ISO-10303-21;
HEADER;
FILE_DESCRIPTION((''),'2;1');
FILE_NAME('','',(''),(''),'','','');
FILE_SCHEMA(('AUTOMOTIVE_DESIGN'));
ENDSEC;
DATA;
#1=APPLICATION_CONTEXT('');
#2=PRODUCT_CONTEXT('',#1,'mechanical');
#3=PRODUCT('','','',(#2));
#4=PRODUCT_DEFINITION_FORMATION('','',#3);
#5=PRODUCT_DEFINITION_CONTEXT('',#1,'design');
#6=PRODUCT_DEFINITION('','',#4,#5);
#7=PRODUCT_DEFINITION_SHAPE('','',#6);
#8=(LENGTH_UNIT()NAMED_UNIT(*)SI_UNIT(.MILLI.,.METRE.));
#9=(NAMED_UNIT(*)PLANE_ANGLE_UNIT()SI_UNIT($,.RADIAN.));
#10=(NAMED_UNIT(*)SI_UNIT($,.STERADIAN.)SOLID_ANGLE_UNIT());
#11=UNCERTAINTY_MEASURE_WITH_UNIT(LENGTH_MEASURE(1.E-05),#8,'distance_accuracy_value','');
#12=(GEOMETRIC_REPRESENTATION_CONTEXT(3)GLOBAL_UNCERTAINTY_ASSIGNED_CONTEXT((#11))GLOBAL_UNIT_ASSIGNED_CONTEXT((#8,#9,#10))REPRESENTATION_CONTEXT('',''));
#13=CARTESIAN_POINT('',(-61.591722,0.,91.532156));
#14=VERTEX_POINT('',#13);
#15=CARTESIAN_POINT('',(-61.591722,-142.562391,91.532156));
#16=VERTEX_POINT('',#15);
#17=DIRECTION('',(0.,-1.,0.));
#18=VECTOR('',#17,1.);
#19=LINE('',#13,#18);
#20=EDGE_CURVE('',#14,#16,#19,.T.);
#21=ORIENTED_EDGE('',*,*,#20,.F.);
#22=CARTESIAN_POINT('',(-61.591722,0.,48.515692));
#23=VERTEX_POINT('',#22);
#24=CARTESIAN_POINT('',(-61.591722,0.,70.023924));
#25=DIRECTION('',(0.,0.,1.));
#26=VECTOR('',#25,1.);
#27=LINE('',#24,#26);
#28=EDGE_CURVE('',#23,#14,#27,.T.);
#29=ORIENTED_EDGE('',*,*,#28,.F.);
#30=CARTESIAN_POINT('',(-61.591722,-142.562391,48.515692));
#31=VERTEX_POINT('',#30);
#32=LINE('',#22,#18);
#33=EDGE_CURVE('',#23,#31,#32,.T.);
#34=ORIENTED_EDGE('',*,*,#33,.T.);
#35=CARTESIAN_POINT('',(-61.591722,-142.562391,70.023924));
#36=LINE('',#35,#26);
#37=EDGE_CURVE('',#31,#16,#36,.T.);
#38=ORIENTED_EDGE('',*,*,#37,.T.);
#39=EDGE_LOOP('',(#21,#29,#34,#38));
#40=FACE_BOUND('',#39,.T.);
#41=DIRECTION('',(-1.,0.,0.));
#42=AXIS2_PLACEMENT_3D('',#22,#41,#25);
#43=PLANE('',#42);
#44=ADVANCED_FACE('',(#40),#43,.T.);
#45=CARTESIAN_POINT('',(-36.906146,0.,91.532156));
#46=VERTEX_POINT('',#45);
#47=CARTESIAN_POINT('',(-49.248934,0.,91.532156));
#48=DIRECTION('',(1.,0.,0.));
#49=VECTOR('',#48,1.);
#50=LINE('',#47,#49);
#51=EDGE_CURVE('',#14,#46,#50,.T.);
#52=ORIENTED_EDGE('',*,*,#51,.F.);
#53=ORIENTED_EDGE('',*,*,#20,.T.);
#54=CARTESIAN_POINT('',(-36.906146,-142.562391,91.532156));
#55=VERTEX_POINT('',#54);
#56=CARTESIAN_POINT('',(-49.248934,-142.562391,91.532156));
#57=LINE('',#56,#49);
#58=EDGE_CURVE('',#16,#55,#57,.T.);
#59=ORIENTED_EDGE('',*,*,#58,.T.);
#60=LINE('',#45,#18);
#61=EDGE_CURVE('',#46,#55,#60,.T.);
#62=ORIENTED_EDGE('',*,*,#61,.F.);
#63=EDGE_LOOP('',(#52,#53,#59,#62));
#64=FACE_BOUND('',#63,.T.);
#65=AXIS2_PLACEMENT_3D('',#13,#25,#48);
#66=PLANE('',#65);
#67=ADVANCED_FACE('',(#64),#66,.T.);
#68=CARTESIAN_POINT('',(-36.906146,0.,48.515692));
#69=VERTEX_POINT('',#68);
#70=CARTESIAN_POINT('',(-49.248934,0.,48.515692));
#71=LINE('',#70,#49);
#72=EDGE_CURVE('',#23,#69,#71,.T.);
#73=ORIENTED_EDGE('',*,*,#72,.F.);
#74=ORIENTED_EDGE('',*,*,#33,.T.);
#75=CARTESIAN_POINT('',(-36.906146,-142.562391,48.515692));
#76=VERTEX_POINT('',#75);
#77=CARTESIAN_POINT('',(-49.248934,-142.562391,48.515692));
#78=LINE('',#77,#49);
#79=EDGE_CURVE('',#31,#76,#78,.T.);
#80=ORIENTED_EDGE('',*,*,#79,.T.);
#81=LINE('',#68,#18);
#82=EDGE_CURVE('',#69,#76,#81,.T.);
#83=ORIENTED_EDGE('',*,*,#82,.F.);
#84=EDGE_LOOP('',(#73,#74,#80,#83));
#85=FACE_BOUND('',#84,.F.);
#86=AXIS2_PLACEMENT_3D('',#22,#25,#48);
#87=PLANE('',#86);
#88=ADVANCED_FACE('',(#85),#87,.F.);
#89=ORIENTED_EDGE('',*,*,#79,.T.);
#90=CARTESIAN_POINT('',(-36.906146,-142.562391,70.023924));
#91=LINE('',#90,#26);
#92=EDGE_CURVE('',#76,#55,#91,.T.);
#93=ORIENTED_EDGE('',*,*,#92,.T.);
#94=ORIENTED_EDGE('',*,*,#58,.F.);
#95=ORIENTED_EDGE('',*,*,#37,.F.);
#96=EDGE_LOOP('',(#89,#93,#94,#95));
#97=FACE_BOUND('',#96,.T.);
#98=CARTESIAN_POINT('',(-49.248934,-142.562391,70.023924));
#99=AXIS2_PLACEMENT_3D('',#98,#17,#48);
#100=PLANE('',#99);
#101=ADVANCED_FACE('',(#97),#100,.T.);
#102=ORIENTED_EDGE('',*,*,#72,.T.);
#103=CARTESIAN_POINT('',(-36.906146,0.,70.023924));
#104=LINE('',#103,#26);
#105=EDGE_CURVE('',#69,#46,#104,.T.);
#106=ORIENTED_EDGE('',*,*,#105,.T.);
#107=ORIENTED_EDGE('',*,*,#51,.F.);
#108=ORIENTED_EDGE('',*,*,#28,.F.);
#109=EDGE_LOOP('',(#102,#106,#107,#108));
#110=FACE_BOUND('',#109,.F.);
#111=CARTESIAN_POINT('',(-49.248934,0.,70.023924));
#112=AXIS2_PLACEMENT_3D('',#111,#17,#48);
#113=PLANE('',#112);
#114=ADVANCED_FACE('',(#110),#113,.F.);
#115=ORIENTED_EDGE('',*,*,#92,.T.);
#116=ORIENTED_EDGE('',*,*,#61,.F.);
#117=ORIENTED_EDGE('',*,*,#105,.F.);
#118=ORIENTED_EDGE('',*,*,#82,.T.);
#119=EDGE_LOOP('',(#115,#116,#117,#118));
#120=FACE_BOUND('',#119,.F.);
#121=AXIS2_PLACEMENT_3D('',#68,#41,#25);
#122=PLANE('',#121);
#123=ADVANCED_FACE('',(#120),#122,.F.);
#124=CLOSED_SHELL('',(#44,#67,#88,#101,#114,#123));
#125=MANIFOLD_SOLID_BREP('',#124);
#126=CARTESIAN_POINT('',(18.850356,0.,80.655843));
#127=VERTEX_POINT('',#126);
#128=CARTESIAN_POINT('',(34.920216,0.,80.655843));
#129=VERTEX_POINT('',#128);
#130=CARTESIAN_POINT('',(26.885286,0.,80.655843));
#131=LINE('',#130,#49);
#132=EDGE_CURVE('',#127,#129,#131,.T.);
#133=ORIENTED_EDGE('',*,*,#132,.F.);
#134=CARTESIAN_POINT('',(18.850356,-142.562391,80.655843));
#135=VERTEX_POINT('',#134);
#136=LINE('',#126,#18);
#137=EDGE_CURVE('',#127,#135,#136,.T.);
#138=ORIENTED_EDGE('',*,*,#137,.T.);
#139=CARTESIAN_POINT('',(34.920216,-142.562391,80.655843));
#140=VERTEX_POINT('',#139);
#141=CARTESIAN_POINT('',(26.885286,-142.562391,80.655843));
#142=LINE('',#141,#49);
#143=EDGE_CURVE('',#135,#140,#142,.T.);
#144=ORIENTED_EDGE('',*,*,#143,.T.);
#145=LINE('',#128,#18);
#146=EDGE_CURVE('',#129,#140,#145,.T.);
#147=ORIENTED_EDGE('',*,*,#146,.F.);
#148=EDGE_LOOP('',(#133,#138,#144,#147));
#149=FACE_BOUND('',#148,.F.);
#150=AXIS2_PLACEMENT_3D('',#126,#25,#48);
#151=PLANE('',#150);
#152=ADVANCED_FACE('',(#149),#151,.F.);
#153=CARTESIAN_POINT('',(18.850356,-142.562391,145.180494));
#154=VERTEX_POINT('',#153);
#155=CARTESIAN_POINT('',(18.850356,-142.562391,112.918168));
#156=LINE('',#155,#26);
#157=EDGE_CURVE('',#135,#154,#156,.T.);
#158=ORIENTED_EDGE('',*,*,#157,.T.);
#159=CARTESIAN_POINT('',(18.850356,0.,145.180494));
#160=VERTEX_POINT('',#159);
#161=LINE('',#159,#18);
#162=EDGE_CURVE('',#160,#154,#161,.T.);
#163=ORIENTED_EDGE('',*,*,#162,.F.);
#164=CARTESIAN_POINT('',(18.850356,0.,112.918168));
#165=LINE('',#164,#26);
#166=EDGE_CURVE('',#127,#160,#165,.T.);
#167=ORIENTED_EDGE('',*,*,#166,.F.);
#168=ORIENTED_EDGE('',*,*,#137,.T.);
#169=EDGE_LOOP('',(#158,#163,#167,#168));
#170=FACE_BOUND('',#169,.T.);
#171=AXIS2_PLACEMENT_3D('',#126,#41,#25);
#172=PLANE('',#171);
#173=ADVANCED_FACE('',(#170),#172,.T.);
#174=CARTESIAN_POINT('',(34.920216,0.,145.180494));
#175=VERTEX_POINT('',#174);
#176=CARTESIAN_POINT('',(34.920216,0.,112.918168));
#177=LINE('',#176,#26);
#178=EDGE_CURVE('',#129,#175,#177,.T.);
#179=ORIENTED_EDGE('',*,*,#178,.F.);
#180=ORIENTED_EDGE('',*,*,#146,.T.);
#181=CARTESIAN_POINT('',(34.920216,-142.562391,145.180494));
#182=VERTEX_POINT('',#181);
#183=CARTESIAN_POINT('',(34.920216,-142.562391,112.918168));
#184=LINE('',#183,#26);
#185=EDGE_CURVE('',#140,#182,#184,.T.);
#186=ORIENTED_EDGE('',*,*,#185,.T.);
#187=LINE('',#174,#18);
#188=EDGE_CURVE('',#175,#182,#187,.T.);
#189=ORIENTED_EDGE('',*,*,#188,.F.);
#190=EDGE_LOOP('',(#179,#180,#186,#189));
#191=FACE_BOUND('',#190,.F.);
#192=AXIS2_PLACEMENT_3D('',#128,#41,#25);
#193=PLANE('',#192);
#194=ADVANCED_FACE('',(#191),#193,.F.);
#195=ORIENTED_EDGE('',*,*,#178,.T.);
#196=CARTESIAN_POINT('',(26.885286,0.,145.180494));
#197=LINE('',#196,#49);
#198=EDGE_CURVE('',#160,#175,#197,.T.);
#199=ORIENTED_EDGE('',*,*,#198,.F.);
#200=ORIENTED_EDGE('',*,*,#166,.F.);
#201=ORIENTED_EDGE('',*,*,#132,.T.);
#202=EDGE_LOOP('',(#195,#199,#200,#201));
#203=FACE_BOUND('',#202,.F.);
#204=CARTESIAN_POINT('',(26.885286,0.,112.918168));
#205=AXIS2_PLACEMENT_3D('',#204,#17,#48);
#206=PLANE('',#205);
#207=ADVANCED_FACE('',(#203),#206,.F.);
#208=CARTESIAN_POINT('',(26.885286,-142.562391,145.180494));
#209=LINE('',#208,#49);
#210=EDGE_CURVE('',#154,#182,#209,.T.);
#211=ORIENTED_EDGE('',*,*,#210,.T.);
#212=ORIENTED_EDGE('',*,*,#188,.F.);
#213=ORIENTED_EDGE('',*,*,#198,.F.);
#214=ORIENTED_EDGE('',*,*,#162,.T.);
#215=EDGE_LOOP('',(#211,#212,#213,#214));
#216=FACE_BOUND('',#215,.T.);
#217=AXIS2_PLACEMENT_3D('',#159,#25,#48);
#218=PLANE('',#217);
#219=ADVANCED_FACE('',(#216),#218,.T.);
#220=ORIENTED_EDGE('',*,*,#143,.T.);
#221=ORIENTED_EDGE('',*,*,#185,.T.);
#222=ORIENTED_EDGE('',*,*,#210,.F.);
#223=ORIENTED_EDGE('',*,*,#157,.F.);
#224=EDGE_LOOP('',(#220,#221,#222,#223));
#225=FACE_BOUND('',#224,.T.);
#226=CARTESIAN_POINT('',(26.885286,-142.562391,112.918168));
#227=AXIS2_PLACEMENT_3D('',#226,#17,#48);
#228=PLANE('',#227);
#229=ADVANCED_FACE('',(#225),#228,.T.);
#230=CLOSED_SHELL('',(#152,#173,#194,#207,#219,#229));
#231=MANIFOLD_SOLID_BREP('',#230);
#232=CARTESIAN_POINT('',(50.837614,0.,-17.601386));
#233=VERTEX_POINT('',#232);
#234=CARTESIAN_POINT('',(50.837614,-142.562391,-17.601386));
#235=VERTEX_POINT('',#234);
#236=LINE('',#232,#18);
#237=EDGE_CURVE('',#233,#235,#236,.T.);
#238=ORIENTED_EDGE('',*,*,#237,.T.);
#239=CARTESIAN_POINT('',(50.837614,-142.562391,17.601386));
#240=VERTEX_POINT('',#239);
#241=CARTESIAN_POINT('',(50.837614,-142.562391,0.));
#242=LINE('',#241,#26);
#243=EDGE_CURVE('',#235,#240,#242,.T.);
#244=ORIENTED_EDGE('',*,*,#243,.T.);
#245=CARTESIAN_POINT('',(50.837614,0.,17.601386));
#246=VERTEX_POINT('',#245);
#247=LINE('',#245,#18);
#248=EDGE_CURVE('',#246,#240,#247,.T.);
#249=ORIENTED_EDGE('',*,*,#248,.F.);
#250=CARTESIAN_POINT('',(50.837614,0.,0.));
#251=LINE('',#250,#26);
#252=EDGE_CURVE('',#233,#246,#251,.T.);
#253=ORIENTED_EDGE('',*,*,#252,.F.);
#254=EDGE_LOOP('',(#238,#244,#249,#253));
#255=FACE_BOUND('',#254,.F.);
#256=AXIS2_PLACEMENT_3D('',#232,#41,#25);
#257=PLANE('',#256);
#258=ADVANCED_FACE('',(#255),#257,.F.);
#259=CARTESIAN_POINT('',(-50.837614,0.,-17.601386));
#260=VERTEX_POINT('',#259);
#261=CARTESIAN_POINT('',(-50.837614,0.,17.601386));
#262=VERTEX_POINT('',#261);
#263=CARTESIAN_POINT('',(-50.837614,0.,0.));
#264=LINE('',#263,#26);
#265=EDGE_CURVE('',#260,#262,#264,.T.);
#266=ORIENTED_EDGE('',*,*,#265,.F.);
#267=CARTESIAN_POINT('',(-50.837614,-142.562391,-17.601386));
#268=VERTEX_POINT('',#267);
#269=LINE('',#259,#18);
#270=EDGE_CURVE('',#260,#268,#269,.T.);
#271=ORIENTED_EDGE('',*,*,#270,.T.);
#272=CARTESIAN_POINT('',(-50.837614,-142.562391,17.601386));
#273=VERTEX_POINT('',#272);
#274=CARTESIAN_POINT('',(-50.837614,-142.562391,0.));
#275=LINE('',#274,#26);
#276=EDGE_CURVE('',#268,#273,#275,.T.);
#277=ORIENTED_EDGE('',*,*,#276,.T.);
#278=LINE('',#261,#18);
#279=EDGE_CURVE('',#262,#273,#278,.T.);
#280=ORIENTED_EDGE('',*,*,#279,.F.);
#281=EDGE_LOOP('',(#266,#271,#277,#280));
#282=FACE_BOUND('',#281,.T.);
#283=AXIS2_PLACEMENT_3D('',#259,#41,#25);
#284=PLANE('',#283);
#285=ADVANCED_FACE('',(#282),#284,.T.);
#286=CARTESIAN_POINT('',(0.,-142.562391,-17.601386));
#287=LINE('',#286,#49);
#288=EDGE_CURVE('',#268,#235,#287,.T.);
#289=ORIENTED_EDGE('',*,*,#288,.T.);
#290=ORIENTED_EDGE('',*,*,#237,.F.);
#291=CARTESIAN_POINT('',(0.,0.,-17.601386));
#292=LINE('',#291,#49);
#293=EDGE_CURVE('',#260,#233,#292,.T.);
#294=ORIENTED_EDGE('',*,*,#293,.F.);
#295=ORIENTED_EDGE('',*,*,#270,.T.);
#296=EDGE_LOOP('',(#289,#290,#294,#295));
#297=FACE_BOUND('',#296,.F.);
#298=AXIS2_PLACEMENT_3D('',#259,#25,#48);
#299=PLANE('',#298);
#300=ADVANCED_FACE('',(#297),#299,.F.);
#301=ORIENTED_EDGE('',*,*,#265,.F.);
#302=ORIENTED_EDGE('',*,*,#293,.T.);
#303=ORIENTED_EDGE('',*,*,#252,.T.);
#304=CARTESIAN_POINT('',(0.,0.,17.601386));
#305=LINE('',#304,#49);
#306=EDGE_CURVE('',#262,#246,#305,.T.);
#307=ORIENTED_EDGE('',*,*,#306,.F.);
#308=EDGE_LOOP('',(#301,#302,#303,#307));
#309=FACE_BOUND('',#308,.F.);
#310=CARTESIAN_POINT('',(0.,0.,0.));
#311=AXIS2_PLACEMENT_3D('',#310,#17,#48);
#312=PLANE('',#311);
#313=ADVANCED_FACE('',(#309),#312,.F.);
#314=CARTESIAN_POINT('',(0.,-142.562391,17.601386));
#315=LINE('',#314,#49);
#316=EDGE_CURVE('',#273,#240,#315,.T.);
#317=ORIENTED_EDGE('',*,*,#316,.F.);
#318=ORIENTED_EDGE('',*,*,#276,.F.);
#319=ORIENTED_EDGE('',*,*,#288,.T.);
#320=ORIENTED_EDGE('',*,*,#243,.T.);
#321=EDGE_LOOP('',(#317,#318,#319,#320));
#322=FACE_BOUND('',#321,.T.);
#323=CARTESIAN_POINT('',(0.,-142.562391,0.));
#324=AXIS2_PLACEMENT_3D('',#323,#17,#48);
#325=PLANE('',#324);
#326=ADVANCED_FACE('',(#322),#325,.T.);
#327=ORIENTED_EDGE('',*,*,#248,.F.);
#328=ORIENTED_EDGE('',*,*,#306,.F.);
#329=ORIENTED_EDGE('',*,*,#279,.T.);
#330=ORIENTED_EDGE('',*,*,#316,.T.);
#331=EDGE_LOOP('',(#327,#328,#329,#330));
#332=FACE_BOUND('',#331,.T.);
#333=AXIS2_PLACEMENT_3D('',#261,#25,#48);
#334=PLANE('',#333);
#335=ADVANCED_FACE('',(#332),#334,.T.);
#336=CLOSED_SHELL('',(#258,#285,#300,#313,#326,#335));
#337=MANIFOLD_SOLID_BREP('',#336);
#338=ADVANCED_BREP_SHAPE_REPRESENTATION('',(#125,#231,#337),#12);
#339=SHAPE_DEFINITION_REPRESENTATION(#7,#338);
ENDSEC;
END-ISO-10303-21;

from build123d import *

# Parameters (mm, degrees)
F0_W     = 16.06986
F0_H     = 64.524651
F0_W_2   = 24.685576
F0_H_2   = 43.016464
F0_W_3   = 101.675228
F0_H_3   = 35.202772
F1_DEPTH = 142.562391


with BuildPart() as f1:
    # F0 (on Front) → F1 (new body)
    with BuildSketch(Plane.XZ):
        with Locations((26.885286, 112.918168)):
            Rectangle(F0_W, F0_H)
        with Locations((-49.248934, 70.023924)):
            Rectangle(F0_W_2, F0_H_2)
        Rectangle(F0_W_3, F0_H_3)
    extrude(amount=F1_DEPTH)


solid = f1.part
